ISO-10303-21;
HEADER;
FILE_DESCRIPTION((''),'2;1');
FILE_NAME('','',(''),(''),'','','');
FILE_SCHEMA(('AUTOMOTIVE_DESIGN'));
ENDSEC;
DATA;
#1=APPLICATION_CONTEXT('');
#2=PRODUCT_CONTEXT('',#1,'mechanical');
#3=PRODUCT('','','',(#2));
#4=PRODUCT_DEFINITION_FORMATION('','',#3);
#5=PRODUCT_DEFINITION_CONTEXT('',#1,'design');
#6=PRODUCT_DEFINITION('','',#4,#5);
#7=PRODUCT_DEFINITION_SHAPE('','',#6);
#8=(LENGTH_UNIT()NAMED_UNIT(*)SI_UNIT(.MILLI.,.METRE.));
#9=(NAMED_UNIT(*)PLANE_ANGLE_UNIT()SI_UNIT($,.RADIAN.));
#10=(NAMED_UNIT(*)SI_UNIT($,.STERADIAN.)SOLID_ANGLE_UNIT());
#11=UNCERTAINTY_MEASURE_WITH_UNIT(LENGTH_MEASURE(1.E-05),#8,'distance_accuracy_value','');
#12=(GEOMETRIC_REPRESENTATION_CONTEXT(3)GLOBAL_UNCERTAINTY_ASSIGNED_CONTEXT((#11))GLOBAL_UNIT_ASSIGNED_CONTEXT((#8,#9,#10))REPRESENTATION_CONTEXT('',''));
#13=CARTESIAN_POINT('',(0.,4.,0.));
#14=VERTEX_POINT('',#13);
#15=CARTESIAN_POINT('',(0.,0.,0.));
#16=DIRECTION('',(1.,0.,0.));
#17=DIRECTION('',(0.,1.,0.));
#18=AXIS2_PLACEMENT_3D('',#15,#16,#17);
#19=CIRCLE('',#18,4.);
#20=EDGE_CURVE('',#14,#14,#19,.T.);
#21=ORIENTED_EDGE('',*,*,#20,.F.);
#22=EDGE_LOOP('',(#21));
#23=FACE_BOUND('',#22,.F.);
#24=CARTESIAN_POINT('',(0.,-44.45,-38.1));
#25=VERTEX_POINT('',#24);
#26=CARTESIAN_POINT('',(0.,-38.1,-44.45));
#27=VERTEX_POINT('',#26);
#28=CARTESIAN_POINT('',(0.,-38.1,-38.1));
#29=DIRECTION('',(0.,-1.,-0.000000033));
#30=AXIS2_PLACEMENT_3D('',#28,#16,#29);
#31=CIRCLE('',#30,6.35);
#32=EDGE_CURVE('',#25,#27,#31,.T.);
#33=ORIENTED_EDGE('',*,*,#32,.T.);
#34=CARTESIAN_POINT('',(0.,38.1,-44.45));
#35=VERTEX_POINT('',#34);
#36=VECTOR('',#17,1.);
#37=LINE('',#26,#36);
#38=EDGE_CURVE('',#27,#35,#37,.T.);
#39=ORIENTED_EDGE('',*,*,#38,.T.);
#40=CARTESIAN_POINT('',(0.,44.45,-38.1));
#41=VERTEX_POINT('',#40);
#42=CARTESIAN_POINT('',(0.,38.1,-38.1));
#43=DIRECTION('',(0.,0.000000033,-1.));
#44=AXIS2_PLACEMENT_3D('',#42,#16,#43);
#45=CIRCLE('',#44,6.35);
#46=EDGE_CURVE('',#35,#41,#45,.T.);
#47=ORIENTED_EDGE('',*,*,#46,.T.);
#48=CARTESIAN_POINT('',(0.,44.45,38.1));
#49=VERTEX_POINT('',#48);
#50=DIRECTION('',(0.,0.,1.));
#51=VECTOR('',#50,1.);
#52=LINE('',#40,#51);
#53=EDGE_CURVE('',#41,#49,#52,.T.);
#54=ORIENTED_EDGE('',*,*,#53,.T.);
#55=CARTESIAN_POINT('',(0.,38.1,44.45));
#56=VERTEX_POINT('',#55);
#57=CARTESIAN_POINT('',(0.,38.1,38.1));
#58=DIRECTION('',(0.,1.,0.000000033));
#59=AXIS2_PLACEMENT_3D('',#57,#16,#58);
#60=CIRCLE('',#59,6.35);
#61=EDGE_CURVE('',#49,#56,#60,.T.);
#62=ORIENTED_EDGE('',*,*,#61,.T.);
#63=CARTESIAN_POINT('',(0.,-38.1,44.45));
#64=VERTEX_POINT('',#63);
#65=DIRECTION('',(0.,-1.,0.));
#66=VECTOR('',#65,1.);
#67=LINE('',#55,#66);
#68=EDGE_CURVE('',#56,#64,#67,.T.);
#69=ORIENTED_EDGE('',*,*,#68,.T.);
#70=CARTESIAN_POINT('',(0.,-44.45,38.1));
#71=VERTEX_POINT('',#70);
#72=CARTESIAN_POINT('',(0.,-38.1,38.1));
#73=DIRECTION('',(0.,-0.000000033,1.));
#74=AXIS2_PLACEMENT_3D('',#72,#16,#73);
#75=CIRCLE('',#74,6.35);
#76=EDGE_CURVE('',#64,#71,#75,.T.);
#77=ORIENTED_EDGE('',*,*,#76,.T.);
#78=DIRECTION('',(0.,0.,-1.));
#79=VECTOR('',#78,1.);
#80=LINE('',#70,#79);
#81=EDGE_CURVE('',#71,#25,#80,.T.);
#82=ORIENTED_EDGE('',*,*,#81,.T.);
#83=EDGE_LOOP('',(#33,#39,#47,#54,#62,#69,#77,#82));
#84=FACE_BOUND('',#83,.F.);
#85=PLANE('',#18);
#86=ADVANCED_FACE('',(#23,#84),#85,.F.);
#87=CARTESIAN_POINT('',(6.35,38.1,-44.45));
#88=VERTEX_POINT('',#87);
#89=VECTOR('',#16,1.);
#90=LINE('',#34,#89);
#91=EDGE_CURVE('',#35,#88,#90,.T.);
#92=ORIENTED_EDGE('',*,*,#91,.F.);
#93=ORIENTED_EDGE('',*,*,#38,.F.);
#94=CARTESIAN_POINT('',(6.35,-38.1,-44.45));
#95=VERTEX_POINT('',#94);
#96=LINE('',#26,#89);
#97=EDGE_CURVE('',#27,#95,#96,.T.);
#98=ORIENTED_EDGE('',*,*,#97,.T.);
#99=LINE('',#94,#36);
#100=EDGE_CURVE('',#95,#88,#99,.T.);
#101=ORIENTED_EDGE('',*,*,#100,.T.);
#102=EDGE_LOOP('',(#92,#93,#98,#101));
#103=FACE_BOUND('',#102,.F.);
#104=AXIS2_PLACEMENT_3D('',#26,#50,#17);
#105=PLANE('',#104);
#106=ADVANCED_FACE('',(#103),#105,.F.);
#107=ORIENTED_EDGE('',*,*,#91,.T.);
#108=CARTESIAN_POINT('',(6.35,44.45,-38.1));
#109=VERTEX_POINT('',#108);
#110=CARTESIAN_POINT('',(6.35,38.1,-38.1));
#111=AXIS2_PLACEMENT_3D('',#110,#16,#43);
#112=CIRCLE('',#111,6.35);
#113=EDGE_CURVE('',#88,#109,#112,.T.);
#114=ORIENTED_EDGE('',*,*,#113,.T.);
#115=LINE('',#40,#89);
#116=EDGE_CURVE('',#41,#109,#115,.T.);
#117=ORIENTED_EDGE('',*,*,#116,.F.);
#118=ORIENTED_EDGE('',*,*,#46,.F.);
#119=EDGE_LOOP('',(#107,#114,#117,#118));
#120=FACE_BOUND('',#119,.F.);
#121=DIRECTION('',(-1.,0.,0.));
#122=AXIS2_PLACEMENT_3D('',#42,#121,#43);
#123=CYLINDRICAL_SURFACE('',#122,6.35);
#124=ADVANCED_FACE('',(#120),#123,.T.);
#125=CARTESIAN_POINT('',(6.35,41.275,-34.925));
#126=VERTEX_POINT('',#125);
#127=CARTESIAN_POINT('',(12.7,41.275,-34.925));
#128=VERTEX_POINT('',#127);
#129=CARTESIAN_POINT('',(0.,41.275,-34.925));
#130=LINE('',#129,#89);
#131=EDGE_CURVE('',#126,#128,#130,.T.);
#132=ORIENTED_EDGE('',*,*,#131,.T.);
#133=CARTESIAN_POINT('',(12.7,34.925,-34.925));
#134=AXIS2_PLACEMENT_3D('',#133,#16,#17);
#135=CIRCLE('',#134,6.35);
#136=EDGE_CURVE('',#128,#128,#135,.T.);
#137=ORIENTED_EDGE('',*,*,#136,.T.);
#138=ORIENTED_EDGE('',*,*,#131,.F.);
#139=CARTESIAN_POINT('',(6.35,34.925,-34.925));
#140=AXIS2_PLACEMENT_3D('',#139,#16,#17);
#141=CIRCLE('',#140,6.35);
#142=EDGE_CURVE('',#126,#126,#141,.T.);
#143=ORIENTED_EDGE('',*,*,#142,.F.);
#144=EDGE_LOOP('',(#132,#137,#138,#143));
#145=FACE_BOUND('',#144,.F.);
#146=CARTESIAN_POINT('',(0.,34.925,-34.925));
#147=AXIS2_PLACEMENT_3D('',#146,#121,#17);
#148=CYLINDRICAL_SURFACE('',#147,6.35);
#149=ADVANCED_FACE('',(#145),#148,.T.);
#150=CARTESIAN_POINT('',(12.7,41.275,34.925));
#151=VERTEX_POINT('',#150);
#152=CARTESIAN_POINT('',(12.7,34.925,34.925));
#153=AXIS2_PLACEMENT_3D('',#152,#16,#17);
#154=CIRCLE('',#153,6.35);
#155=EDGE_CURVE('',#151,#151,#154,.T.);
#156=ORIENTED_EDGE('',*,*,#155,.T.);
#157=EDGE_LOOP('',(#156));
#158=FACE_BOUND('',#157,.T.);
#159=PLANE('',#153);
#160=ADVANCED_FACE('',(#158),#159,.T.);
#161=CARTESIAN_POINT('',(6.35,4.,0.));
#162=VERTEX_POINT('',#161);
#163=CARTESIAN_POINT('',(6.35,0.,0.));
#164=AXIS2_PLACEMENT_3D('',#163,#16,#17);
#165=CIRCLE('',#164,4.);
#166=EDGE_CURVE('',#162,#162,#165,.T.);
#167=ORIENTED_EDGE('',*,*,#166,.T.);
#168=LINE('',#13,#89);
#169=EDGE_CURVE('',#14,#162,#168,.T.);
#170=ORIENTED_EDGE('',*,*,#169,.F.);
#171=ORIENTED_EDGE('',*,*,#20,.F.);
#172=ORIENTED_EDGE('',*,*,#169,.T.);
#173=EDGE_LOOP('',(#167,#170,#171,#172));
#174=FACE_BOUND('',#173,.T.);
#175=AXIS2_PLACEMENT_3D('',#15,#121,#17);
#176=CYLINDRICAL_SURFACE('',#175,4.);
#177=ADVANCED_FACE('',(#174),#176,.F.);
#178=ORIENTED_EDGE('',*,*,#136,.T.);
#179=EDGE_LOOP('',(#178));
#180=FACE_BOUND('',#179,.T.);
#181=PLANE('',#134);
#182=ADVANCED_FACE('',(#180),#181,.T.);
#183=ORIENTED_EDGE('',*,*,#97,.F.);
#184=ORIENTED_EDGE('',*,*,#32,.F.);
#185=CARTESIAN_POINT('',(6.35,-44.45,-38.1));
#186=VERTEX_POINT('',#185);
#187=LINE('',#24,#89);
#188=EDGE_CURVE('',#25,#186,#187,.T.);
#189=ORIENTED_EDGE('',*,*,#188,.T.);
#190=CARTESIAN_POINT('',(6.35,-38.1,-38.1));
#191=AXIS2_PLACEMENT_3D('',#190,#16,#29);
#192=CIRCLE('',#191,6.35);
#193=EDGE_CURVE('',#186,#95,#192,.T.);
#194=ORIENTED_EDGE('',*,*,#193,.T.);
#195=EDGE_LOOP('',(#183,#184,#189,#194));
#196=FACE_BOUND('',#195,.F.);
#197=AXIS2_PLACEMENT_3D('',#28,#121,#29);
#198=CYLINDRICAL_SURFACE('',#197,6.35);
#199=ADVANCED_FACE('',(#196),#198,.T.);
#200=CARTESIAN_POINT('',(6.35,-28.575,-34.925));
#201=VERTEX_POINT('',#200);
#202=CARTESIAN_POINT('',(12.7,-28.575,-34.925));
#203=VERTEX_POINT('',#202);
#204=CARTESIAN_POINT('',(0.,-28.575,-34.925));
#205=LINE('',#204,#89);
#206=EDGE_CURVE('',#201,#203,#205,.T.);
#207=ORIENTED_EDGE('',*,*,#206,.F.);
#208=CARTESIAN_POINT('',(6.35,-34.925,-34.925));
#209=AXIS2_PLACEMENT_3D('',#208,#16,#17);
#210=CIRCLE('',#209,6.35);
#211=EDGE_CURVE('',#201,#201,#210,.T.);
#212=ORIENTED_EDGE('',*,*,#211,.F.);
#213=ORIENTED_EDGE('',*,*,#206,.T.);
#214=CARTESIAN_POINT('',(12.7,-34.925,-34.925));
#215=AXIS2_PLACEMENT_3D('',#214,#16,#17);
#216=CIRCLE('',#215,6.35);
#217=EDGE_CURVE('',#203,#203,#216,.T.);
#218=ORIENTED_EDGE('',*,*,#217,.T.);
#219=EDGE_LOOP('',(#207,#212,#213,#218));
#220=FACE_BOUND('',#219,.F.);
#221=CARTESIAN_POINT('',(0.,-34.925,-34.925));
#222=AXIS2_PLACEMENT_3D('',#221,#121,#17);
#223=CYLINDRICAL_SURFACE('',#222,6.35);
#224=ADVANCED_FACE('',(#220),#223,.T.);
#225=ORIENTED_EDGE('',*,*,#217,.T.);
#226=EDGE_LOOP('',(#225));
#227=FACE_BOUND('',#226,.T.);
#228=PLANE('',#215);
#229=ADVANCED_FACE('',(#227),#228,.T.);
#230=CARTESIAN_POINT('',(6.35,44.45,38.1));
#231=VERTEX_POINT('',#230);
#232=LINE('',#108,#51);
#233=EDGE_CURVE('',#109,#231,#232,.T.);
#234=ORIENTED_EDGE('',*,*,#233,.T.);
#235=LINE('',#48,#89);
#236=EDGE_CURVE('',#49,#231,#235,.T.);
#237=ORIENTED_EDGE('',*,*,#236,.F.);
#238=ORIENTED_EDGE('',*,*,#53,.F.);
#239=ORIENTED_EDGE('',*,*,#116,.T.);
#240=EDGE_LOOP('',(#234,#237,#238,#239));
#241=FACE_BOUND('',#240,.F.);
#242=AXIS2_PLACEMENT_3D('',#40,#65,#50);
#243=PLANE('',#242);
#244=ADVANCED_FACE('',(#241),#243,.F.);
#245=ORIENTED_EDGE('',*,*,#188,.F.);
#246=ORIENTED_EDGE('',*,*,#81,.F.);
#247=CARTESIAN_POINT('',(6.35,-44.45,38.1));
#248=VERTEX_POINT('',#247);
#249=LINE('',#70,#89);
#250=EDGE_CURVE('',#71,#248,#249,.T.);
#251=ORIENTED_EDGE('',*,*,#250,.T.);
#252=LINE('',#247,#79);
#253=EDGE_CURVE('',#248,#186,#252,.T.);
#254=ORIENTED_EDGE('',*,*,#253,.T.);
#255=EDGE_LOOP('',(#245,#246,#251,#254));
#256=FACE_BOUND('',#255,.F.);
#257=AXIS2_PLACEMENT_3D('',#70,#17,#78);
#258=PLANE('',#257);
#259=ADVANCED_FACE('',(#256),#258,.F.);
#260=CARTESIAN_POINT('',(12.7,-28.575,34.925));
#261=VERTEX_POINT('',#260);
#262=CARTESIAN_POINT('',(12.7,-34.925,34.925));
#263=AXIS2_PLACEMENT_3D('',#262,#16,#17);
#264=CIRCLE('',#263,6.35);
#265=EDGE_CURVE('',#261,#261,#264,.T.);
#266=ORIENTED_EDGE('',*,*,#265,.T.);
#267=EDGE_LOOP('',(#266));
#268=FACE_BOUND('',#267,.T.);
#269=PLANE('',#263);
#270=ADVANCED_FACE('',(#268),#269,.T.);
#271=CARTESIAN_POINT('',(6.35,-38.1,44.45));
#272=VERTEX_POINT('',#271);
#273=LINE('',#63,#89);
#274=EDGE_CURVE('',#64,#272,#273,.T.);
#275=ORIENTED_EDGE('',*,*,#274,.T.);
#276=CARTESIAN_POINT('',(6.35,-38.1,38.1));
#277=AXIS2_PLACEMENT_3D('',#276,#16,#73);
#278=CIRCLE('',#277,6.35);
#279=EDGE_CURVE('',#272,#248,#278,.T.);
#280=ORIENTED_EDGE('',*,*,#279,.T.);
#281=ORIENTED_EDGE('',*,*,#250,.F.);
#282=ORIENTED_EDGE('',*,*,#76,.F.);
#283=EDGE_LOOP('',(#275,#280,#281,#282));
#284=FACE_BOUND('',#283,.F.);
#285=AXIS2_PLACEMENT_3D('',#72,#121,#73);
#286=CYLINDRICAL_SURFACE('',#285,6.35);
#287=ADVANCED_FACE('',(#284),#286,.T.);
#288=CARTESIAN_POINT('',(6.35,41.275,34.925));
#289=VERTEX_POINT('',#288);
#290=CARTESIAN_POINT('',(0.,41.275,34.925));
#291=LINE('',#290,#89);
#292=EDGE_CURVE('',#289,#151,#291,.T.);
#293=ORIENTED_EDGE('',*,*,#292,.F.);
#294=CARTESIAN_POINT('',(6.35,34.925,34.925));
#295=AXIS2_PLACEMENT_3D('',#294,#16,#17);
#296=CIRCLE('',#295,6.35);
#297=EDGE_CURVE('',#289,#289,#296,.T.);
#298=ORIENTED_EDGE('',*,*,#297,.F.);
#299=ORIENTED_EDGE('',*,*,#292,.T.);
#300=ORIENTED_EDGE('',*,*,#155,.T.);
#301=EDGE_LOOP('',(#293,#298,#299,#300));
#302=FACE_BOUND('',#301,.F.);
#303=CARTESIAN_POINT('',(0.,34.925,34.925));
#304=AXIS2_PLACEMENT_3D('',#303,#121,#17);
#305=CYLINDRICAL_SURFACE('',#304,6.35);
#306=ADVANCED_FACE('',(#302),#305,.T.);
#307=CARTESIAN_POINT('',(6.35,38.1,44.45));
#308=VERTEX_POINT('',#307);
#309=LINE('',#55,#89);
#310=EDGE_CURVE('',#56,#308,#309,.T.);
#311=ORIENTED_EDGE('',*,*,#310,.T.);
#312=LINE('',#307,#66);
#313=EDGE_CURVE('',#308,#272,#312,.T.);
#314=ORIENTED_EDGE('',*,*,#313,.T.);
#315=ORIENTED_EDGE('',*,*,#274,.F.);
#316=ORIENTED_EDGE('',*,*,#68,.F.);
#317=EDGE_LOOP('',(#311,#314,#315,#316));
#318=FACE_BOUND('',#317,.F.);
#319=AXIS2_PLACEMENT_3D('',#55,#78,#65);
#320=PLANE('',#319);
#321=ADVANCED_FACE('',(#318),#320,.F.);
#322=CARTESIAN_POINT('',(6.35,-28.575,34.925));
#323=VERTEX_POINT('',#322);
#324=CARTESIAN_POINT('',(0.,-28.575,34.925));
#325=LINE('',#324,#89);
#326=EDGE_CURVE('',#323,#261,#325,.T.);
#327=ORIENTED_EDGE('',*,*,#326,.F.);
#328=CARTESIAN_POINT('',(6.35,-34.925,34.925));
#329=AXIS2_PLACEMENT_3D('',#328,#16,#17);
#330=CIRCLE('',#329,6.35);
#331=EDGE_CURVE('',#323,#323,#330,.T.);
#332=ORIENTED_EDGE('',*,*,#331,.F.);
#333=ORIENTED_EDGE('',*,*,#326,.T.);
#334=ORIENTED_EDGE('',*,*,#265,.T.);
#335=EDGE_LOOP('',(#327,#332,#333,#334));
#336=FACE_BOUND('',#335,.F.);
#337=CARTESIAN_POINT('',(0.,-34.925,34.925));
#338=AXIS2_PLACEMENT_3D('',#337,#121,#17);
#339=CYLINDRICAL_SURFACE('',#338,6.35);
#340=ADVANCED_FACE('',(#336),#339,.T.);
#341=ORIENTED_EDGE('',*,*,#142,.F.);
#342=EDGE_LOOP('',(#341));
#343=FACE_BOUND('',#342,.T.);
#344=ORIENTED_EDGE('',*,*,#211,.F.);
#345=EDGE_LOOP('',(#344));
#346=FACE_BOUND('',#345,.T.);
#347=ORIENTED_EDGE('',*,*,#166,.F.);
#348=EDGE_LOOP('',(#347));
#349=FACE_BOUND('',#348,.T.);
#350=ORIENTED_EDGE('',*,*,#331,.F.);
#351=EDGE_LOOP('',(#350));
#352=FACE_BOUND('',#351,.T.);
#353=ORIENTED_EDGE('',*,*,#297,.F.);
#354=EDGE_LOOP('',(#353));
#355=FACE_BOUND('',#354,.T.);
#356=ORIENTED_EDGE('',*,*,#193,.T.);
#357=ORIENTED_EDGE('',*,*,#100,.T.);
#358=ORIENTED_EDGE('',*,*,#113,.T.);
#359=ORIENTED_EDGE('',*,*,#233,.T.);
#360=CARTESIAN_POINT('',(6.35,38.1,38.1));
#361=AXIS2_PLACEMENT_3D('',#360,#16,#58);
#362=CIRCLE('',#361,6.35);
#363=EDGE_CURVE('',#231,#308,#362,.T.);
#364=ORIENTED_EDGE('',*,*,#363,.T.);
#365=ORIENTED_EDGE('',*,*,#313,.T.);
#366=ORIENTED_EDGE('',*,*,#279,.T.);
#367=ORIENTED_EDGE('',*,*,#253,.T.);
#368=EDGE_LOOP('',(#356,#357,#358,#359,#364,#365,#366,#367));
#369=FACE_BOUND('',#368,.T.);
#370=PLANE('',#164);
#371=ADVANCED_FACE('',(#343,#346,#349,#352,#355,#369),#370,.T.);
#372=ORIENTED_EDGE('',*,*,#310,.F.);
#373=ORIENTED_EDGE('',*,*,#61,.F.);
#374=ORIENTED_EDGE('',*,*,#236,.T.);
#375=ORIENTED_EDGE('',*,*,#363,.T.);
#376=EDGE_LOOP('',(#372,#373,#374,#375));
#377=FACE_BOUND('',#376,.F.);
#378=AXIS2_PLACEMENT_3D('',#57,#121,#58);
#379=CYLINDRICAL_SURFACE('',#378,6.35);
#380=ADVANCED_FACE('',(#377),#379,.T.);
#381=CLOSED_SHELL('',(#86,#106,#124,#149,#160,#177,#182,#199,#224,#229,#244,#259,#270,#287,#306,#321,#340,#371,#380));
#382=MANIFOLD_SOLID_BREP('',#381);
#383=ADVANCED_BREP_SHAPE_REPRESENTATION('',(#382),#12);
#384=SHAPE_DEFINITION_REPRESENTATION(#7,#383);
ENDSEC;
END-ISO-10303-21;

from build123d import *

# Parameters (mm, degrees)
F0_R     = 6.35
F0_R_2   = 4
F1_DEPTH = 6.35
F2_DEPTH = 12.7


with BuildPart() as f1:
    # F0 (on Right) → F1 (new body)
    with BuildSketch(Plane.YZ):
        with BuildLine():
            Line((-38.1, -44.45), (38.1, -44.45))
            ThreePointArc((38.1, -44.45), (42.590128, -42.590128), (44.45, -38.1))
            Line((44.45, -38.1), (44.45, 38.1))
            ThreePointArc((44.45, 38.1), (42.590128, 42.590128), (38.1, 44.45))
            Line((38.1, 44.45), (-38.1, 44.45))
            ThreePointArc((-38.1, 44.45), (-42.590128, 42.590128), (-44.45, 38.1))
            Line((-44.45, 38.1), (-44.45, -38.1))
            ThreePointArc((-44.45, -38.1), (-42.590128, -42.590128), (-38.1, -44.45))
        make_face()
        with Locations((-34.925, -34.925)):
            Circle(F0_R, mode=Mode.SUBTRACT)
        with Locations((34.925, -34.925)):
            Circle(F0_R, mode=Mode.SUBTRACT)
        with Locations((-34.925, 34.925)):
            Circle(F0_R, mode=Mode.SUBTRACT)
        Circle(F0_R_2, mode=Mode.SUBTRACT)
        with Locations((34.925, 34.925)):
            Circle(F0_R, mode=Mode.SUBTRACT)
    extrude(amount=F1_DEPTH)

    # F0 (on Right) → F2 (join)
    with BuildSketch(Plane.YZ):
        with Locations((-34.925, 34.925)):
            Circle(F0_R)
        with Locations((34.925, 34.925)):
            Circle(F0_R)
        with Locations((34.925, -34.925)):
            Circle(F0_R)
        with Locations((-34.925, -34.925)):
            Circle(F0_R)
    extrude(amount=F2_DEPTH)


solid = f1.part
